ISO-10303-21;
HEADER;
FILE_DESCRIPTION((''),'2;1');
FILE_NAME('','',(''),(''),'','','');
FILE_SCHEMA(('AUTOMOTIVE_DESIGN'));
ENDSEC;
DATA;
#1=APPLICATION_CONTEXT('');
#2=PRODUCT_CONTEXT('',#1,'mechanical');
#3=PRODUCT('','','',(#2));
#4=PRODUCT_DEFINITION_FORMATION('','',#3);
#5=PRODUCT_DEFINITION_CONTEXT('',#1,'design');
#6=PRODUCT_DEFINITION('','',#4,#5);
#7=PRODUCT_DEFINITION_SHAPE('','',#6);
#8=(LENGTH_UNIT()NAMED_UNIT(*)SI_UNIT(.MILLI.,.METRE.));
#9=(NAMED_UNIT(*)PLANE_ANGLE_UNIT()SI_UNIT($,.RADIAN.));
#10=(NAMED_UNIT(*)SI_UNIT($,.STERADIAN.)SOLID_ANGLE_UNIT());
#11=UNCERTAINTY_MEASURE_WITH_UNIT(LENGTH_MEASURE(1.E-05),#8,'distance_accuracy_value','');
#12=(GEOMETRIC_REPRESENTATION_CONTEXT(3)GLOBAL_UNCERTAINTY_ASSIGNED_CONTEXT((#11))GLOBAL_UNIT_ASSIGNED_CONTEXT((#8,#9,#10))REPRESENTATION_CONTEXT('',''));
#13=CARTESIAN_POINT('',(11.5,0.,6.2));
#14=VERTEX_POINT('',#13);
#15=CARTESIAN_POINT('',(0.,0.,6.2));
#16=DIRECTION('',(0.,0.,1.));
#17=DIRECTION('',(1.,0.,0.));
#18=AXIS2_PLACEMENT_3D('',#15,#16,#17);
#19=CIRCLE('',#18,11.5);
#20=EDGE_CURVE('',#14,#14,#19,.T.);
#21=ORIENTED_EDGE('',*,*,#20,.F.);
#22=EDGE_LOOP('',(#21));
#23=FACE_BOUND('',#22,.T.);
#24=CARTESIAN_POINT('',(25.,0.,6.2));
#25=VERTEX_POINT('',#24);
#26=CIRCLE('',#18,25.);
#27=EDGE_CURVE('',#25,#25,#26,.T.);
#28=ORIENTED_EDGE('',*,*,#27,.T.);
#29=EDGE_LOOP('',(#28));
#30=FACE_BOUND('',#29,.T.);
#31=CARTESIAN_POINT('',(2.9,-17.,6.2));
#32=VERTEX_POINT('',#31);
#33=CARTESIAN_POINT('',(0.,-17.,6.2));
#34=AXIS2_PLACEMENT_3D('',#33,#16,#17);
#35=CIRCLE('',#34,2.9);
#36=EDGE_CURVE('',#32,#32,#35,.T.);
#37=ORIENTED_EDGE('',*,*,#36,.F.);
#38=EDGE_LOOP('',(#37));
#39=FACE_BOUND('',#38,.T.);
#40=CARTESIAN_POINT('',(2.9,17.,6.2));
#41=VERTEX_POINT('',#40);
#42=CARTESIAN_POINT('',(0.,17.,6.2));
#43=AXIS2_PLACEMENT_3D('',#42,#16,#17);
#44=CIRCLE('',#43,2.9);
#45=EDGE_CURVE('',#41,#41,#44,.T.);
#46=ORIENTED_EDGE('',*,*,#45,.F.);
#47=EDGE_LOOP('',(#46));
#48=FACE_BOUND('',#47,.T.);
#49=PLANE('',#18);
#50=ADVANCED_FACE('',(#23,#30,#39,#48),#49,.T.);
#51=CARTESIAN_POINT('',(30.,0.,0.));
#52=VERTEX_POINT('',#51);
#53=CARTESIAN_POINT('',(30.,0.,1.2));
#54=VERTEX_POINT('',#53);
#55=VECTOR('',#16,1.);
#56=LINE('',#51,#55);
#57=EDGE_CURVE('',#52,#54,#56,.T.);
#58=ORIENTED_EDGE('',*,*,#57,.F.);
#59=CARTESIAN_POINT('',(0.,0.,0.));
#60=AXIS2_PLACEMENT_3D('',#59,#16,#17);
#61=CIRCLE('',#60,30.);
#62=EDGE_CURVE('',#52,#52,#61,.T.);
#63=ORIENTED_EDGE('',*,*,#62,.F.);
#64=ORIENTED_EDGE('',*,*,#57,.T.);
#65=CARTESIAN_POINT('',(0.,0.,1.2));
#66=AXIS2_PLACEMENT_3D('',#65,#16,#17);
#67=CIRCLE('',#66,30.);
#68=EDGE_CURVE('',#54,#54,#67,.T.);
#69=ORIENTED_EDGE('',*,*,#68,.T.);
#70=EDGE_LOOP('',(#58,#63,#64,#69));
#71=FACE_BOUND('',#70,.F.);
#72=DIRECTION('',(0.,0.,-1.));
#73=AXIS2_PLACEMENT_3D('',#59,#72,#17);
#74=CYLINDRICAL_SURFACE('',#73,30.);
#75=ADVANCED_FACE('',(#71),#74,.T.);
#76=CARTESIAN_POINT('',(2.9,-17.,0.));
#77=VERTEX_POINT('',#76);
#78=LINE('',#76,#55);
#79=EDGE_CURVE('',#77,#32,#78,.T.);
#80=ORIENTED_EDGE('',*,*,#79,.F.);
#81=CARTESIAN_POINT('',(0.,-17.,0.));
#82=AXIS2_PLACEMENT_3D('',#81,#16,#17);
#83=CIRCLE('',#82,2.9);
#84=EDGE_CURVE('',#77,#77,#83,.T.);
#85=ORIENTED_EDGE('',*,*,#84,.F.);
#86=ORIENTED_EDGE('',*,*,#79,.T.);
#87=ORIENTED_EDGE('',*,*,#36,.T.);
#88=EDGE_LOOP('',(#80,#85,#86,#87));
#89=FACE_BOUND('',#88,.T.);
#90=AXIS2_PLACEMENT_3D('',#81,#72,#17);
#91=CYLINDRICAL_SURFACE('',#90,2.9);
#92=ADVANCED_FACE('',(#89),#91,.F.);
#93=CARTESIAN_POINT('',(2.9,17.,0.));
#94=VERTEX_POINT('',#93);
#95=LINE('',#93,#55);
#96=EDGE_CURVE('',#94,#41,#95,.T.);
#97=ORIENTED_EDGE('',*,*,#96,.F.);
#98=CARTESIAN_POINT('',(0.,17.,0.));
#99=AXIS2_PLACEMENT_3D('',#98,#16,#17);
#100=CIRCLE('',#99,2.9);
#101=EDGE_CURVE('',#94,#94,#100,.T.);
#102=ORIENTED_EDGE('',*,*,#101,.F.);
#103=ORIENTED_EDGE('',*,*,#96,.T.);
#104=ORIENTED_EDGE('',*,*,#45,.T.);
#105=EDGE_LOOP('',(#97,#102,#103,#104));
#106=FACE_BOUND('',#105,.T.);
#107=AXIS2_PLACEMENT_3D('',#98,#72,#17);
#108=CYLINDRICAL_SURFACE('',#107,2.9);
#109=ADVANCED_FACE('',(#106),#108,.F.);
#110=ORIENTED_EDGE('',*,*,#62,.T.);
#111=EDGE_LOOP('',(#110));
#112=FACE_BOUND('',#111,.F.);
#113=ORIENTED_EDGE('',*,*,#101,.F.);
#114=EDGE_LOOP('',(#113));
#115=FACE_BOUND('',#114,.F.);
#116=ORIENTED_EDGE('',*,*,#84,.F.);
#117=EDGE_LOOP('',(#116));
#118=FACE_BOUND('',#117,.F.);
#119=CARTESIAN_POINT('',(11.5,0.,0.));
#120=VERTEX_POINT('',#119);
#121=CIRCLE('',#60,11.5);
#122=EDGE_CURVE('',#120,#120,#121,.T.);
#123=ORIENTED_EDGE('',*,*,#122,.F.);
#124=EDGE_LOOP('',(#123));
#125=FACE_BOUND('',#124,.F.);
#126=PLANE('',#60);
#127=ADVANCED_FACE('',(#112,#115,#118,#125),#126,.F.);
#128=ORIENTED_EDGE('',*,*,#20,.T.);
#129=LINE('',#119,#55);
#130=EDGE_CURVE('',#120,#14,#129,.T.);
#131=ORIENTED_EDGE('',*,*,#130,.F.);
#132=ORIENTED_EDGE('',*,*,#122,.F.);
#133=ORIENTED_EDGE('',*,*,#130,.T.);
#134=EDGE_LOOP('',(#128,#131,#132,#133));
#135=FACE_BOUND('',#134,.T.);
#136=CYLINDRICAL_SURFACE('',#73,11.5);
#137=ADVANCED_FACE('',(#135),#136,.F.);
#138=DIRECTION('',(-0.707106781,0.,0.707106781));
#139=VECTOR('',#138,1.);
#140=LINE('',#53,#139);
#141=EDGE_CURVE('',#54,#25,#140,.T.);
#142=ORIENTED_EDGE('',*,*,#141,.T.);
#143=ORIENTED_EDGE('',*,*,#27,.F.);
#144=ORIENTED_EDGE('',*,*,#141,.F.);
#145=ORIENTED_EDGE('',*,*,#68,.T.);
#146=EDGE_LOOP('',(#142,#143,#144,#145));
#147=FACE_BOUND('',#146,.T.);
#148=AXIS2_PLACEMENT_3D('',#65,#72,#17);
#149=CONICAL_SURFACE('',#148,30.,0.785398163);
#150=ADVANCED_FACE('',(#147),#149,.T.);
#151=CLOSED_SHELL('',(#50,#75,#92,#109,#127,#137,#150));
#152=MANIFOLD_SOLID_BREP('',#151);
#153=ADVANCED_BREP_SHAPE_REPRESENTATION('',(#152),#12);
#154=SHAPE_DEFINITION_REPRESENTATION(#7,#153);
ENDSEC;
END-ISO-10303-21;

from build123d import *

# Parameters (mm, degrees)
F0_R     = 30
F0_R_2   = 2.9
F0_R_3   = 11.5
F1_DEPTH = 6.2
F2_SIZE  = 5


with BuildPart() as f1:
    # F0 (on Top) → F1 (new body)
    with BuildSketch(Plane.XY):
        Circle(F0_R)
        with Locations((0, -17)):
            Circle(F0_R_2, mode=Mode.SUBTRACT)
        Circle(F0_R_3, mode=Mode.SUBTRACT)
        with Locations((0, 17)):
            Circle(F0_R_2, mode=Mode.SUBTRACT)
    extrude(amount=F1_DEPTH)

    # F2
    f2_edges = [f1.edges().sort_by_distance(p)[0] for p in [
        (-30, 0, 6.2),
    ]]
    chamfer(f2_edges, length=F2_SIZE)


solid = f1.part
